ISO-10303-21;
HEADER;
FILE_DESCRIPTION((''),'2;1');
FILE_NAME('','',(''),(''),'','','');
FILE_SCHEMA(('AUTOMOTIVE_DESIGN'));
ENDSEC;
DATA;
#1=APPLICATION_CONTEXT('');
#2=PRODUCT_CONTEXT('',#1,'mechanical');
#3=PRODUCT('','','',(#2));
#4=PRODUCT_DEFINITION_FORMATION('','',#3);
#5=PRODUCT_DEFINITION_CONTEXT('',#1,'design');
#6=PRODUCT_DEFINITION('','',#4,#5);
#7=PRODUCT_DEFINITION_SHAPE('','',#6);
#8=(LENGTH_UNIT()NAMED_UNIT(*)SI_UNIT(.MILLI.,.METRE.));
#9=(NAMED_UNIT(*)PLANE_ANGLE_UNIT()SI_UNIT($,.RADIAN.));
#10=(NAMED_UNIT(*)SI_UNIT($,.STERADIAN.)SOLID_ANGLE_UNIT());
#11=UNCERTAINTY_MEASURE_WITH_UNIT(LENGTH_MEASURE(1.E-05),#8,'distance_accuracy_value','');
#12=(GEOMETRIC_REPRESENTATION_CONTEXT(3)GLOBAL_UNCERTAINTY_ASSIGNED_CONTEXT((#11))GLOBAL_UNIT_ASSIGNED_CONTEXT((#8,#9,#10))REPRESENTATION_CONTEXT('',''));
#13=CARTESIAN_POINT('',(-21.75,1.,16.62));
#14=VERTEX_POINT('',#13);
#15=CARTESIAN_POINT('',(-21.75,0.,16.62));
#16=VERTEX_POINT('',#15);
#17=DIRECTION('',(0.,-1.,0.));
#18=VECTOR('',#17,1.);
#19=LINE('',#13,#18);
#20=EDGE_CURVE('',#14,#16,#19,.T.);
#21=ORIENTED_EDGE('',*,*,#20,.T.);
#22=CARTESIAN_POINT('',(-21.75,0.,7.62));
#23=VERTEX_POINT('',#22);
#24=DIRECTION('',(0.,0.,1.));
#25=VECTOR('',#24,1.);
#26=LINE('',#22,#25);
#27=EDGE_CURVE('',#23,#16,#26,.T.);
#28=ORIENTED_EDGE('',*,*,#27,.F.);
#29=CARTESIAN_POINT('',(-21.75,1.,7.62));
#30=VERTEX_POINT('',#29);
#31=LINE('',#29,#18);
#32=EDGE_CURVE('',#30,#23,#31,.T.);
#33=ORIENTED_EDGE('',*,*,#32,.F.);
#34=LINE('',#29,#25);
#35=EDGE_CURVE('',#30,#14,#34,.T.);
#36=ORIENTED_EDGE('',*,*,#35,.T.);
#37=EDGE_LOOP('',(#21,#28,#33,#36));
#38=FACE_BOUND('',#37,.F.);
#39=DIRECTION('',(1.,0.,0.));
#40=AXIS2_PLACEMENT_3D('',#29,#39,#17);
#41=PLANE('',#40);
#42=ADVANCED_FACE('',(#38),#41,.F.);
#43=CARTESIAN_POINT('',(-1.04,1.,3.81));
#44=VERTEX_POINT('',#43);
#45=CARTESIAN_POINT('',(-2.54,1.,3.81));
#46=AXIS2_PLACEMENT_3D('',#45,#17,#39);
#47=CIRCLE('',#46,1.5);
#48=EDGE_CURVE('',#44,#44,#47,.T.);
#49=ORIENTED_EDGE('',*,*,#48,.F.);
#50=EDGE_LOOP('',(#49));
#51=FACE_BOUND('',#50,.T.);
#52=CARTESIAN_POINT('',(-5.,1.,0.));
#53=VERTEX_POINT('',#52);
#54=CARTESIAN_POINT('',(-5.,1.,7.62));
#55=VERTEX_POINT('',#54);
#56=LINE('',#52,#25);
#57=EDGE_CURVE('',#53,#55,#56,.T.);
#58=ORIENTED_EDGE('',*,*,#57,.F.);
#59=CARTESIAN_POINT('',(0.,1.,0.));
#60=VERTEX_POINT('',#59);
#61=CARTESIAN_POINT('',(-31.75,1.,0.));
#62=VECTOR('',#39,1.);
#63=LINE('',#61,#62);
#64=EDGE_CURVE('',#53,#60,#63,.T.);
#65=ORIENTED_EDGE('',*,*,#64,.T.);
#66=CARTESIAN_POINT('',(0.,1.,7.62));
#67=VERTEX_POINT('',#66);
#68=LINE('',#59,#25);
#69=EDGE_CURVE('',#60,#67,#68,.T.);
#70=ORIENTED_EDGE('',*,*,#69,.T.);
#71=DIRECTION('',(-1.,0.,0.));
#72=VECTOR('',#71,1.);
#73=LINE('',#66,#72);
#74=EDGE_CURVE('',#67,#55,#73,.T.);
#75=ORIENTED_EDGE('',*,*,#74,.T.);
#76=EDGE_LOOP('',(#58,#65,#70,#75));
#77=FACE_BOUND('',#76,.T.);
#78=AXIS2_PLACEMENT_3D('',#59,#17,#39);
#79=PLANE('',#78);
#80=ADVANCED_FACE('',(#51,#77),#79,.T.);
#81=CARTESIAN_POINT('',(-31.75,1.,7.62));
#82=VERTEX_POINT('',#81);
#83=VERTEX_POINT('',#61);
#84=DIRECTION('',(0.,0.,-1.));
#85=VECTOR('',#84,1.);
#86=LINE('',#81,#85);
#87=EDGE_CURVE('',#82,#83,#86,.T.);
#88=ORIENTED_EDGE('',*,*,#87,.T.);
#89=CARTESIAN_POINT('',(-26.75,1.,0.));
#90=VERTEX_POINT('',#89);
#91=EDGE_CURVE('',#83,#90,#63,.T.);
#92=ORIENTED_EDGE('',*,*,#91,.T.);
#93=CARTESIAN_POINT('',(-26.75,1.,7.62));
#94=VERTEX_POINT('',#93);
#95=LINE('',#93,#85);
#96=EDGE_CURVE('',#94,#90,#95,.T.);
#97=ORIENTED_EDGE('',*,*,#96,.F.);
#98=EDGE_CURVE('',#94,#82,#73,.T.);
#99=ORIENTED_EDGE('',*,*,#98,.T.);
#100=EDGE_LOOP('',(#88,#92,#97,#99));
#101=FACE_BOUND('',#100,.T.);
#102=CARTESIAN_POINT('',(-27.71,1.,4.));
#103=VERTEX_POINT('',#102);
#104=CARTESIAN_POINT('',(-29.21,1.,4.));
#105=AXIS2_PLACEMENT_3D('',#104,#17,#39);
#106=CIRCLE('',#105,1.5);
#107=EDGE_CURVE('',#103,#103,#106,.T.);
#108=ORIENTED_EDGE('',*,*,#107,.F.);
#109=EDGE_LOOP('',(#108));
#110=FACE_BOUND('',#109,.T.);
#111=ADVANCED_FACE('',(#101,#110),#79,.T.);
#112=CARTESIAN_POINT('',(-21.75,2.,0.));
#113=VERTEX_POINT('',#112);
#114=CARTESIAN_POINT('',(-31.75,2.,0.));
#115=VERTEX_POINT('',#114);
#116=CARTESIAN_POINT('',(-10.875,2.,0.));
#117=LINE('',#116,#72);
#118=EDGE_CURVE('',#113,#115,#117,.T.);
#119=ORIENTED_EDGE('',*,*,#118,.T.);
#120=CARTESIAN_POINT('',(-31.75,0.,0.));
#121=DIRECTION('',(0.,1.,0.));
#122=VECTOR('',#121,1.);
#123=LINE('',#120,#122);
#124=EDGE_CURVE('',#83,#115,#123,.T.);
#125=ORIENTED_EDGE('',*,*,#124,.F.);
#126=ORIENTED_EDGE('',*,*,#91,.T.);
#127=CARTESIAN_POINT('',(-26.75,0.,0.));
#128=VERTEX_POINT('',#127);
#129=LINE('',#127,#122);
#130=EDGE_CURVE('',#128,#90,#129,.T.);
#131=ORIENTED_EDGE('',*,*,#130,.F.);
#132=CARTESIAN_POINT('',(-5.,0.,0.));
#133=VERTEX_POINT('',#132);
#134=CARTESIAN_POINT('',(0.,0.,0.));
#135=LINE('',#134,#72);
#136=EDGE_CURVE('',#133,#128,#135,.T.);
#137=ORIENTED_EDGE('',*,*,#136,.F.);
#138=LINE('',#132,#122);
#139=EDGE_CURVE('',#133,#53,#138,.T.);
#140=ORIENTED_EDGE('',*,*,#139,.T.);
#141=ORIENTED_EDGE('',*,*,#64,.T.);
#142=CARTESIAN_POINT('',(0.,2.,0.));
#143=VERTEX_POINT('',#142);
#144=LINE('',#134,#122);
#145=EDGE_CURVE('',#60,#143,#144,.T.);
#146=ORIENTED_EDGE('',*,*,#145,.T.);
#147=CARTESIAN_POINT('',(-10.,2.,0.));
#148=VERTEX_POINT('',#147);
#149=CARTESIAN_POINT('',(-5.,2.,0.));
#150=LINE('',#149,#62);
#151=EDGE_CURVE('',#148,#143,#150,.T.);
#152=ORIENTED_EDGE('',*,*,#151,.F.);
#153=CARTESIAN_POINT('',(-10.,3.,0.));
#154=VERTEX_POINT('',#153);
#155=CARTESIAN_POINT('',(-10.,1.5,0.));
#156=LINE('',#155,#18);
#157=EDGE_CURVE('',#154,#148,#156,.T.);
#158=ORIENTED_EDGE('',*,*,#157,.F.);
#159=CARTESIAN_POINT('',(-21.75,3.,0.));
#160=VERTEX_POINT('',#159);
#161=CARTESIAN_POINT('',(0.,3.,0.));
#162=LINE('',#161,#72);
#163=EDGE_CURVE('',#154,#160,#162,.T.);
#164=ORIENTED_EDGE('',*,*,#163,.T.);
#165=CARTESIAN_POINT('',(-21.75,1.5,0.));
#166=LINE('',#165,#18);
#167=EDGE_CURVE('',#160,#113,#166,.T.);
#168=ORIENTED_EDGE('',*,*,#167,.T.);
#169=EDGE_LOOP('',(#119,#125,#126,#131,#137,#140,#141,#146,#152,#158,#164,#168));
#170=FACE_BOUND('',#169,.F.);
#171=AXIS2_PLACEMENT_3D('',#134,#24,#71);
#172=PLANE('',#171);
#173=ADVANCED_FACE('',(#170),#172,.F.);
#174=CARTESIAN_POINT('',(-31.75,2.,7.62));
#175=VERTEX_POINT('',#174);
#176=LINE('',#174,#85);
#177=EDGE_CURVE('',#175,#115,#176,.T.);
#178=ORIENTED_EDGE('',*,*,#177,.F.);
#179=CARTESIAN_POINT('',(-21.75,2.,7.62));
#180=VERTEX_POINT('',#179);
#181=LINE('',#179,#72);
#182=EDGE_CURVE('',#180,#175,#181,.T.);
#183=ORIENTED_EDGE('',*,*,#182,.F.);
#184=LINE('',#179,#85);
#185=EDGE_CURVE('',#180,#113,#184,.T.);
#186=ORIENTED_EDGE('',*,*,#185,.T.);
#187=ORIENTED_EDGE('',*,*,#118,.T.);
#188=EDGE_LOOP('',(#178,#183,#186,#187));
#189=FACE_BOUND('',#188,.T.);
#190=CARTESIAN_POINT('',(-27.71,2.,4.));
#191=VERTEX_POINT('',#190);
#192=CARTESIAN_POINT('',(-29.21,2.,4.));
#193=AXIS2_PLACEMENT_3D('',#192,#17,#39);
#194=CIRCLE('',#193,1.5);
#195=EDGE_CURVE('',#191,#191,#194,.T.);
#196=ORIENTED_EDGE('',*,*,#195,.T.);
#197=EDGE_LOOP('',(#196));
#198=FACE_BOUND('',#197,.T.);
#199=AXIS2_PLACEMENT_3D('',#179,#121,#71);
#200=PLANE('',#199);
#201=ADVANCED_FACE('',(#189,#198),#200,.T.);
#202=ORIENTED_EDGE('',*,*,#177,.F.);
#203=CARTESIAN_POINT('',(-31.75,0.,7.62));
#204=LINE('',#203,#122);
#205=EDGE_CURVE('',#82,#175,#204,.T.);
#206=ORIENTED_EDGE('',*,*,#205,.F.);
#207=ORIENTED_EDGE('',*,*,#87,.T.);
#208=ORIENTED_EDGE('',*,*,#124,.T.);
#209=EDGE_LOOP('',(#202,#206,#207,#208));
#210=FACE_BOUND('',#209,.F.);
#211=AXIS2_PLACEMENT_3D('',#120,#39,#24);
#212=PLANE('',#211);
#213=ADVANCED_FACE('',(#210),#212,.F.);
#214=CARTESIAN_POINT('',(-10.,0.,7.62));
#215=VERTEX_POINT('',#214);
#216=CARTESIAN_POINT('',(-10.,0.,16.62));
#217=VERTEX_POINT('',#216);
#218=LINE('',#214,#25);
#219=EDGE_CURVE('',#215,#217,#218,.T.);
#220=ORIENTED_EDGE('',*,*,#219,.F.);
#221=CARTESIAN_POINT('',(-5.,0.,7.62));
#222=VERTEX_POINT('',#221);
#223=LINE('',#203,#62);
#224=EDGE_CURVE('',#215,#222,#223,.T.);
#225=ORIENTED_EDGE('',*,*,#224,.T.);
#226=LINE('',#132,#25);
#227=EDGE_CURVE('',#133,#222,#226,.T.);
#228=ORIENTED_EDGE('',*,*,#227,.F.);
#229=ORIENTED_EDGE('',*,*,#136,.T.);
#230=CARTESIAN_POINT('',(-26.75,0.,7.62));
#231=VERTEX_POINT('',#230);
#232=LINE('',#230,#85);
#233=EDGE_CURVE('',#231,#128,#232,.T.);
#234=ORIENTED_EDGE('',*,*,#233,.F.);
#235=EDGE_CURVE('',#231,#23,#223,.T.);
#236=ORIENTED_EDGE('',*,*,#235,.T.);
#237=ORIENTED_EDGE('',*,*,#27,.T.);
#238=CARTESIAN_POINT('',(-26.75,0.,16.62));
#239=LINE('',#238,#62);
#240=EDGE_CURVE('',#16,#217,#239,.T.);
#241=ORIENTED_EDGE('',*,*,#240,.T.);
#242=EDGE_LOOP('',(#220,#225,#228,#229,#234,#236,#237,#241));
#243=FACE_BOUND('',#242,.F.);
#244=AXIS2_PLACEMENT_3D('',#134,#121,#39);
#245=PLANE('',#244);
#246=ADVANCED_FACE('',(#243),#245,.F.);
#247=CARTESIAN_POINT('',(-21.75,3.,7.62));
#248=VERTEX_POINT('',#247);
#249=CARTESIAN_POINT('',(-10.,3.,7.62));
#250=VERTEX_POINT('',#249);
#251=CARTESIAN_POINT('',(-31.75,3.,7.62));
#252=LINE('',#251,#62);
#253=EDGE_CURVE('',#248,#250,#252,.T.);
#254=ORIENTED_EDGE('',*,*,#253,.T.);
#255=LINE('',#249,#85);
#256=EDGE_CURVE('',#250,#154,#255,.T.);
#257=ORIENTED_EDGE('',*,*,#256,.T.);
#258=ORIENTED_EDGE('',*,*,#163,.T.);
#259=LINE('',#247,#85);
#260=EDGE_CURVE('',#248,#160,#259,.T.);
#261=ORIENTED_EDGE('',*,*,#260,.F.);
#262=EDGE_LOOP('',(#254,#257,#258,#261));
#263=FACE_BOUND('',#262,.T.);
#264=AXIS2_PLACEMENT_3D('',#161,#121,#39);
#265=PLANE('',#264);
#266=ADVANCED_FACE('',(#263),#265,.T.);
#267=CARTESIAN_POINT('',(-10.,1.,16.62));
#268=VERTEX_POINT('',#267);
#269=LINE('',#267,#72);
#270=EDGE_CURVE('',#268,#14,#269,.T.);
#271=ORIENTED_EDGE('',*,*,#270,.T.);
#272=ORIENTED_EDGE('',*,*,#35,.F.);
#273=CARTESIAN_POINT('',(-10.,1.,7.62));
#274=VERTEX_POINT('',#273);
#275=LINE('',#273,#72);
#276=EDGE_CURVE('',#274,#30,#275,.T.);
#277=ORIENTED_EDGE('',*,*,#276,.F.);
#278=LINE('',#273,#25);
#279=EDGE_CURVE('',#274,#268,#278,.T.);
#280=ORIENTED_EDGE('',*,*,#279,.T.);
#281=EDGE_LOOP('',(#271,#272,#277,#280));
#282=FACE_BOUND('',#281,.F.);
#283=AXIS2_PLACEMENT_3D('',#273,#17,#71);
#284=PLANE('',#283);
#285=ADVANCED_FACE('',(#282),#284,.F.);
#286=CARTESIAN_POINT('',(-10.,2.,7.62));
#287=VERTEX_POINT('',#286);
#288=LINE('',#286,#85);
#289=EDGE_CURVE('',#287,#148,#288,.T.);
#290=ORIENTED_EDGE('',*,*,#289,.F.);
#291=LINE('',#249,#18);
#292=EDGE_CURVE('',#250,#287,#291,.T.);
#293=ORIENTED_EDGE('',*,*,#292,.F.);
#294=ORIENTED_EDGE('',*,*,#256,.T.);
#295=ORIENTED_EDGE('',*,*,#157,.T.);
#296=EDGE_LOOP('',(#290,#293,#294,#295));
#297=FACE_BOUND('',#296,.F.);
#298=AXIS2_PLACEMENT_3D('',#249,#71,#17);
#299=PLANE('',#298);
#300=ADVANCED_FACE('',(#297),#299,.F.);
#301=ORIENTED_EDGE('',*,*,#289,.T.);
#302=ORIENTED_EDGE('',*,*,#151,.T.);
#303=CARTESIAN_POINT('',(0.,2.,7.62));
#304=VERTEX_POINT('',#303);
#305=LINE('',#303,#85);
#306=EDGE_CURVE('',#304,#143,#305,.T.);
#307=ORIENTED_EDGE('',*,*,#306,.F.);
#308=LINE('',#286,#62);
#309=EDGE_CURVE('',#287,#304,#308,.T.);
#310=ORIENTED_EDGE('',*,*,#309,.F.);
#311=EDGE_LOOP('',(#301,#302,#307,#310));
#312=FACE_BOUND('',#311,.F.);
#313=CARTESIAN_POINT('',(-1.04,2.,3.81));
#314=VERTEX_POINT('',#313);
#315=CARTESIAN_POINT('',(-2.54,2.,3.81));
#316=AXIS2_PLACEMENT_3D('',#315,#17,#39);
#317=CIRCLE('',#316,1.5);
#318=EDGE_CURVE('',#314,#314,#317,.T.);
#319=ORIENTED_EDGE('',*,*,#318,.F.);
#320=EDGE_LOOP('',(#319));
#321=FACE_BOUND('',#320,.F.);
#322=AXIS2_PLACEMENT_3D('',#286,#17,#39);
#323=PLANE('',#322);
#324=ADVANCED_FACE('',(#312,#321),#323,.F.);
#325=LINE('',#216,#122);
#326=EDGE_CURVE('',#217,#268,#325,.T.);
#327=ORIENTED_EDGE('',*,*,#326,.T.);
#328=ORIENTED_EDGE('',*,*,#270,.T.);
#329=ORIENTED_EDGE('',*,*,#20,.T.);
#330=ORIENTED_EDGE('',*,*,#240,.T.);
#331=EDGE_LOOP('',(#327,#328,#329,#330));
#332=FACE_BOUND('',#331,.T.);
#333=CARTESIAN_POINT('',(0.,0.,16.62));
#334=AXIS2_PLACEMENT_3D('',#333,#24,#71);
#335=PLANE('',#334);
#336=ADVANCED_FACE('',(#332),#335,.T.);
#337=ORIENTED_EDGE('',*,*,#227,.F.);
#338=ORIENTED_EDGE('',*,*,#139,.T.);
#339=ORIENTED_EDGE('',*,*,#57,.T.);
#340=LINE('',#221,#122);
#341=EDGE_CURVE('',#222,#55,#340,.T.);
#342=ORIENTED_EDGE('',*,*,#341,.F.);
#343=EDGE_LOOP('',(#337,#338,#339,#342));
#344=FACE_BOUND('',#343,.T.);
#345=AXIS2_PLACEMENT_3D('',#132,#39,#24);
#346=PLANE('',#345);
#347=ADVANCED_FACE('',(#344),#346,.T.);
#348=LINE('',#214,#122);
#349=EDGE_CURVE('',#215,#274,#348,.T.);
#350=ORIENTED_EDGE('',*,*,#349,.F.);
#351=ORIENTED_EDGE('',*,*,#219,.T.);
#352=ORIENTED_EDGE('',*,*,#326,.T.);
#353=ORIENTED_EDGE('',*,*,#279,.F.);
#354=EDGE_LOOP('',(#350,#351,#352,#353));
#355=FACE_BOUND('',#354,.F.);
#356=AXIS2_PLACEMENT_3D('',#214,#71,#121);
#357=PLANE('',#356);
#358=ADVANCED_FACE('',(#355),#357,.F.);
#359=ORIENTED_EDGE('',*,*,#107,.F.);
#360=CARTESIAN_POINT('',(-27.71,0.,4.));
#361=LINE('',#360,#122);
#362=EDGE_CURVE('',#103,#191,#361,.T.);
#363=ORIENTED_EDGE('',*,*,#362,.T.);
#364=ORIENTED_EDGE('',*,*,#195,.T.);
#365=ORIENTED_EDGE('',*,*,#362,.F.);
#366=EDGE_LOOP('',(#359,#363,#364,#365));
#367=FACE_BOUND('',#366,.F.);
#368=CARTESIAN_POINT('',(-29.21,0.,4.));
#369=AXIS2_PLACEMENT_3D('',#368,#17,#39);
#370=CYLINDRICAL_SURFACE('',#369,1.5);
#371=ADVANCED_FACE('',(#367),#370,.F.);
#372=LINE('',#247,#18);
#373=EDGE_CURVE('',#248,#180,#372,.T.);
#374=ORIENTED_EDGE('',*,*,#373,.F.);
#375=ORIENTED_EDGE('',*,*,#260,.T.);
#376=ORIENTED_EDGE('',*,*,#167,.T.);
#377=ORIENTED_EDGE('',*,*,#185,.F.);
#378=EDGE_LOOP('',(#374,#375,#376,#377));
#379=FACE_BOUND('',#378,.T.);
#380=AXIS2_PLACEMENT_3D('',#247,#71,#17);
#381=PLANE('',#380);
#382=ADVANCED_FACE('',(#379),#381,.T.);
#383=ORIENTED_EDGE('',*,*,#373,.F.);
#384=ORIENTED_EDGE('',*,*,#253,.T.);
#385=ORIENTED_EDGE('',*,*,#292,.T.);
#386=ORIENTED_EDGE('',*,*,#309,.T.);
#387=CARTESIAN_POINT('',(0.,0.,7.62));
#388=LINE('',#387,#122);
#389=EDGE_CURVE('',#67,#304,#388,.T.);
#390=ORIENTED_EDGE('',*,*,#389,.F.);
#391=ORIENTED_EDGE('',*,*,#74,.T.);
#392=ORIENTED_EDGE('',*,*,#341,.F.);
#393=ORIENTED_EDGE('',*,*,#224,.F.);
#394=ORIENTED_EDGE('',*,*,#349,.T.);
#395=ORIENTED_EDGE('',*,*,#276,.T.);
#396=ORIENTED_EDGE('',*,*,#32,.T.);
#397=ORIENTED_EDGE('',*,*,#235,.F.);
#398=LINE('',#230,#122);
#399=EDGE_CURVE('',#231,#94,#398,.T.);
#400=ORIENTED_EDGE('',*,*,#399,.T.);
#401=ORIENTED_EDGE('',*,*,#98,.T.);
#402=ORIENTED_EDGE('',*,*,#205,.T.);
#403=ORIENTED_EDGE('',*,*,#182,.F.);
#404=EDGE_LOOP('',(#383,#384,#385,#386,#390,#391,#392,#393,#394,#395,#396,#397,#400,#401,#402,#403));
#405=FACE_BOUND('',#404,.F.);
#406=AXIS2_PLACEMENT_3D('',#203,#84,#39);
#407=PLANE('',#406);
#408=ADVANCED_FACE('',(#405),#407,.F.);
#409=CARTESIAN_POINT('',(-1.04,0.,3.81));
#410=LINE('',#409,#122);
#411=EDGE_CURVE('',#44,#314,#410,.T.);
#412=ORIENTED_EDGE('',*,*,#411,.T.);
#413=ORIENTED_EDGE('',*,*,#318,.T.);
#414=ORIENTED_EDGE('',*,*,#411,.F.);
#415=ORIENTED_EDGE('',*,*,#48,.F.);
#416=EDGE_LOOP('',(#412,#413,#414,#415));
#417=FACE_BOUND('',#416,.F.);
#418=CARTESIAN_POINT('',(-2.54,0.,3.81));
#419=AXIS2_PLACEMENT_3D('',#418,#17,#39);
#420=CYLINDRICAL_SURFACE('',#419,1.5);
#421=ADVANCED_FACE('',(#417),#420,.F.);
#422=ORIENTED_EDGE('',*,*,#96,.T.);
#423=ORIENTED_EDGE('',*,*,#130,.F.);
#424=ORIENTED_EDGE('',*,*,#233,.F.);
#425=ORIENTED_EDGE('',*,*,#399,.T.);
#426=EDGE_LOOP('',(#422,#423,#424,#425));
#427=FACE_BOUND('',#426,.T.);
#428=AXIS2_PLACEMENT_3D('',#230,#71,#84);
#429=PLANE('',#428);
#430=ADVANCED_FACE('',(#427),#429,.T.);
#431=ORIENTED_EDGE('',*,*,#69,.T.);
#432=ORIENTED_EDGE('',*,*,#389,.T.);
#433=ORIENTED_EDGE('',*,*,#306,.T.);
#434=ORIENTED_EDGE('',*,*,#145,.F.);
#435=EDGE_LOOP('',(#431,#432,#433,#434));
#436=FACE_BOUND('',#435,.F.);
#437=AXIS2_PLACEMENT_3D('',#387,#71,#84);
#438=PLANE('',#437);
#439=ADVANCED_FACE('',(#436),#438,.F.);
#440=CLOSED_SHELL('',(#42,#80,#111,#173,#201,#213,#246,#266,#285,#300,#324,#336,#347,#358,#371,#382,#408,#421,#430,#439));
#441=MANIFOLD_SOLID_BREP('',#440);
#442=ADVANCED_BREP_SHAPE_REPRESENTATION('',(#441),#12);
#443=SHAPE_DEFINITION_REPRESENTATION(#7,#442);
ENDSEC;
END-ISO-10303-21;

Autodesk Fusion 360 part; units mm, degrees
sketch "Sketch6" plane through (0, 0, 0) normal (0, 1, 0) x (1, 0, 0)
  line L0 (0, 0) -> (-31.75, 0)
  line L1 (-31.75, 0) -> (-31.75, -7.62)
  line L2 (-31.75, -7.62) -> (0, -7.62)
  line L3 (0, -7.62) -> (0, 0)
  dimension "d16" = 7.62
  dimension "d17" = 31.75
extrude "Extrude5" add sketch "Sketch6" along normal blind 3
sketch "Sketch7" plane through (0, 0, 0) normal (0, -1, 0) x (1, 0, 0)
  line L0 (0, 0) -> (0, 7.62)
  line L1 (0, 7.62) -> (-31.75, 7.62)
  line L2 (-31.75, 7.62) -> (-31.75, 0)
  line L3 (-31.75, 0) -> (0, 0)
  circle A0 centre (-29.21, 4) radius 1.5
  circle A1 centre (-2.54, 3.81) radius 1.5
  line L4 (-31.75, 7.62) -> (-26.75, 7.62)
  line L5 (-26.75, 7.62) -> (-26.75, 0)
  line L6 (-26.75, 0) -> (-31.75, 0)
  line L7 (-31.75, 0) -> (-31.75, 7.62)
  line L8 (0, 0) -> (-5, 0)
  line L9 (-5, 0) -> (-5, 7.62)
  line L10 (-5, 7.62) -> (0, 7.62)
  line L11 (0, 7.62) -> (0, 0)
  line L12 (-31.75, 7.62) -> (-21.75, 7.62)
  line L13 (-21.75, 7.62) -> (-21.75, 0)
  line L14 (-21.75, 0) -> (-31.75, 0)
  line L15 (-31.75, 0) -> (-31.75, 7.62)
  line L16 (0, 0) -> (-10, 0)
  line L17 (-10, 0) -> (-10, 7.62)
  line L18 (-10, 7.62) -> (0, 7.62)
  line L19 (0, 7.62) -> (0, 0)
  dimension "d20" = 3
  dimension "d21" = 3
  dimension "d22" = 26.67
  dimension "d24" = 2.54
  dimension "d25" = 3.81
  dimension "d30" = 5
  dimension "d31" = 5
  dimension "d36" = 10
  dimension "d37" = 10
extrude "Extrude8" cut sketch "Sketch7" against normal blind 1 contours L1 L2 L3 L4 L5 L6 L7 L12 L14 L15
extrude "Extrude7" cut sketch "Sketch7" against normal blind 3 contours A1
extrude "Extrude6" cut sketch "Sketch7" against normal blind 3 contours A0
extrude "Extrude9" cut sketch "Sketch7" against normal blind 1 contours L0 L1 L3 L8 L9 L10 L11 L16 L18 L19
sketch "Sketch8" plane through (0, 3, 0) normal (0, 1, 0) x (-1, 0, 0)
  circle A0 centre (29.21, 4) radius 1.5
  circle A1 centre (2.54, 3.81) radius 1.5
  line L0 (0, 7.62) -> (0, 0)
  line L1 (0, 0) -> (31.75, 0)
  line L2 (31.75, 0) -> (31.75, 7.62)
  line L3 (31.75, 7.62) -> (0, 7.62)
sketch "Sketch9" plane through (0, 0, 7.62) normal (0, 0, 1) x (-1, 0, 0)
  line L0 (5, -1) -> (0, -1)
  line L1 (0, -1) -> (0, -3)
  line L2 (0, -3) -> (31.75, -3)
  line L3 (31.75, -3) -> (31.75, -1)
  line L4 (31.75, -1) -> (26.75, -1)
  line L5 (26.75, -1) -> (26.75, 0)
  line L6 (26.75, 0) -> (5, 0)
  line L7 (5, 0) -> (5, -1)
  line L8 (31.75, -3) -> (21.75, -3)
  line L9 (21.75, -3) -> (21.75, -2)
  line L10 (21.75, -2) -> (31.75, -2)
  line L11 (31.75, -2) -> (31.75, -3)
  line L12 (0, -3) -> (10, -3)
  line L13 (10, -3) -> (10, -2)
  line L14 (10, -2) -> (0, -2)
  line L15 (0, -2) -> (0, -3)
  line L16 (21.75, -3) -> (10, -3)
  line L17 (10, -3) -> (10, -2)
  line L18 (10, -2) -> (21.75, -2)
  line L19 (21.75, -2) -> (21.75, -3)
  line L20 (21.75, 0) -> (10, 0)
  line L21 (10, 0) -> (10, -1)
  line L22 (10, -1) -> (21.75, -1)
  line L23 (21.75, -1) -> (21.75, 0)
  dimension "d39" = 10
  dimension "d40" = 1
  dimension "d45" = 11.75
extrude "Extrude12" add sketch "Sketch9" along normal blind 9 contours L6 L20 L21 L22 L23
extrude "Extrude11" cut sketch "Sketch9" against normal blind 10 contours L1 L2 L12 L13 L14 L15 L17
extrude "Extrude10" cut sketch "Sketch9" against normal blind 10 contours L2 L3 L8 L9 L10 L11 L19
